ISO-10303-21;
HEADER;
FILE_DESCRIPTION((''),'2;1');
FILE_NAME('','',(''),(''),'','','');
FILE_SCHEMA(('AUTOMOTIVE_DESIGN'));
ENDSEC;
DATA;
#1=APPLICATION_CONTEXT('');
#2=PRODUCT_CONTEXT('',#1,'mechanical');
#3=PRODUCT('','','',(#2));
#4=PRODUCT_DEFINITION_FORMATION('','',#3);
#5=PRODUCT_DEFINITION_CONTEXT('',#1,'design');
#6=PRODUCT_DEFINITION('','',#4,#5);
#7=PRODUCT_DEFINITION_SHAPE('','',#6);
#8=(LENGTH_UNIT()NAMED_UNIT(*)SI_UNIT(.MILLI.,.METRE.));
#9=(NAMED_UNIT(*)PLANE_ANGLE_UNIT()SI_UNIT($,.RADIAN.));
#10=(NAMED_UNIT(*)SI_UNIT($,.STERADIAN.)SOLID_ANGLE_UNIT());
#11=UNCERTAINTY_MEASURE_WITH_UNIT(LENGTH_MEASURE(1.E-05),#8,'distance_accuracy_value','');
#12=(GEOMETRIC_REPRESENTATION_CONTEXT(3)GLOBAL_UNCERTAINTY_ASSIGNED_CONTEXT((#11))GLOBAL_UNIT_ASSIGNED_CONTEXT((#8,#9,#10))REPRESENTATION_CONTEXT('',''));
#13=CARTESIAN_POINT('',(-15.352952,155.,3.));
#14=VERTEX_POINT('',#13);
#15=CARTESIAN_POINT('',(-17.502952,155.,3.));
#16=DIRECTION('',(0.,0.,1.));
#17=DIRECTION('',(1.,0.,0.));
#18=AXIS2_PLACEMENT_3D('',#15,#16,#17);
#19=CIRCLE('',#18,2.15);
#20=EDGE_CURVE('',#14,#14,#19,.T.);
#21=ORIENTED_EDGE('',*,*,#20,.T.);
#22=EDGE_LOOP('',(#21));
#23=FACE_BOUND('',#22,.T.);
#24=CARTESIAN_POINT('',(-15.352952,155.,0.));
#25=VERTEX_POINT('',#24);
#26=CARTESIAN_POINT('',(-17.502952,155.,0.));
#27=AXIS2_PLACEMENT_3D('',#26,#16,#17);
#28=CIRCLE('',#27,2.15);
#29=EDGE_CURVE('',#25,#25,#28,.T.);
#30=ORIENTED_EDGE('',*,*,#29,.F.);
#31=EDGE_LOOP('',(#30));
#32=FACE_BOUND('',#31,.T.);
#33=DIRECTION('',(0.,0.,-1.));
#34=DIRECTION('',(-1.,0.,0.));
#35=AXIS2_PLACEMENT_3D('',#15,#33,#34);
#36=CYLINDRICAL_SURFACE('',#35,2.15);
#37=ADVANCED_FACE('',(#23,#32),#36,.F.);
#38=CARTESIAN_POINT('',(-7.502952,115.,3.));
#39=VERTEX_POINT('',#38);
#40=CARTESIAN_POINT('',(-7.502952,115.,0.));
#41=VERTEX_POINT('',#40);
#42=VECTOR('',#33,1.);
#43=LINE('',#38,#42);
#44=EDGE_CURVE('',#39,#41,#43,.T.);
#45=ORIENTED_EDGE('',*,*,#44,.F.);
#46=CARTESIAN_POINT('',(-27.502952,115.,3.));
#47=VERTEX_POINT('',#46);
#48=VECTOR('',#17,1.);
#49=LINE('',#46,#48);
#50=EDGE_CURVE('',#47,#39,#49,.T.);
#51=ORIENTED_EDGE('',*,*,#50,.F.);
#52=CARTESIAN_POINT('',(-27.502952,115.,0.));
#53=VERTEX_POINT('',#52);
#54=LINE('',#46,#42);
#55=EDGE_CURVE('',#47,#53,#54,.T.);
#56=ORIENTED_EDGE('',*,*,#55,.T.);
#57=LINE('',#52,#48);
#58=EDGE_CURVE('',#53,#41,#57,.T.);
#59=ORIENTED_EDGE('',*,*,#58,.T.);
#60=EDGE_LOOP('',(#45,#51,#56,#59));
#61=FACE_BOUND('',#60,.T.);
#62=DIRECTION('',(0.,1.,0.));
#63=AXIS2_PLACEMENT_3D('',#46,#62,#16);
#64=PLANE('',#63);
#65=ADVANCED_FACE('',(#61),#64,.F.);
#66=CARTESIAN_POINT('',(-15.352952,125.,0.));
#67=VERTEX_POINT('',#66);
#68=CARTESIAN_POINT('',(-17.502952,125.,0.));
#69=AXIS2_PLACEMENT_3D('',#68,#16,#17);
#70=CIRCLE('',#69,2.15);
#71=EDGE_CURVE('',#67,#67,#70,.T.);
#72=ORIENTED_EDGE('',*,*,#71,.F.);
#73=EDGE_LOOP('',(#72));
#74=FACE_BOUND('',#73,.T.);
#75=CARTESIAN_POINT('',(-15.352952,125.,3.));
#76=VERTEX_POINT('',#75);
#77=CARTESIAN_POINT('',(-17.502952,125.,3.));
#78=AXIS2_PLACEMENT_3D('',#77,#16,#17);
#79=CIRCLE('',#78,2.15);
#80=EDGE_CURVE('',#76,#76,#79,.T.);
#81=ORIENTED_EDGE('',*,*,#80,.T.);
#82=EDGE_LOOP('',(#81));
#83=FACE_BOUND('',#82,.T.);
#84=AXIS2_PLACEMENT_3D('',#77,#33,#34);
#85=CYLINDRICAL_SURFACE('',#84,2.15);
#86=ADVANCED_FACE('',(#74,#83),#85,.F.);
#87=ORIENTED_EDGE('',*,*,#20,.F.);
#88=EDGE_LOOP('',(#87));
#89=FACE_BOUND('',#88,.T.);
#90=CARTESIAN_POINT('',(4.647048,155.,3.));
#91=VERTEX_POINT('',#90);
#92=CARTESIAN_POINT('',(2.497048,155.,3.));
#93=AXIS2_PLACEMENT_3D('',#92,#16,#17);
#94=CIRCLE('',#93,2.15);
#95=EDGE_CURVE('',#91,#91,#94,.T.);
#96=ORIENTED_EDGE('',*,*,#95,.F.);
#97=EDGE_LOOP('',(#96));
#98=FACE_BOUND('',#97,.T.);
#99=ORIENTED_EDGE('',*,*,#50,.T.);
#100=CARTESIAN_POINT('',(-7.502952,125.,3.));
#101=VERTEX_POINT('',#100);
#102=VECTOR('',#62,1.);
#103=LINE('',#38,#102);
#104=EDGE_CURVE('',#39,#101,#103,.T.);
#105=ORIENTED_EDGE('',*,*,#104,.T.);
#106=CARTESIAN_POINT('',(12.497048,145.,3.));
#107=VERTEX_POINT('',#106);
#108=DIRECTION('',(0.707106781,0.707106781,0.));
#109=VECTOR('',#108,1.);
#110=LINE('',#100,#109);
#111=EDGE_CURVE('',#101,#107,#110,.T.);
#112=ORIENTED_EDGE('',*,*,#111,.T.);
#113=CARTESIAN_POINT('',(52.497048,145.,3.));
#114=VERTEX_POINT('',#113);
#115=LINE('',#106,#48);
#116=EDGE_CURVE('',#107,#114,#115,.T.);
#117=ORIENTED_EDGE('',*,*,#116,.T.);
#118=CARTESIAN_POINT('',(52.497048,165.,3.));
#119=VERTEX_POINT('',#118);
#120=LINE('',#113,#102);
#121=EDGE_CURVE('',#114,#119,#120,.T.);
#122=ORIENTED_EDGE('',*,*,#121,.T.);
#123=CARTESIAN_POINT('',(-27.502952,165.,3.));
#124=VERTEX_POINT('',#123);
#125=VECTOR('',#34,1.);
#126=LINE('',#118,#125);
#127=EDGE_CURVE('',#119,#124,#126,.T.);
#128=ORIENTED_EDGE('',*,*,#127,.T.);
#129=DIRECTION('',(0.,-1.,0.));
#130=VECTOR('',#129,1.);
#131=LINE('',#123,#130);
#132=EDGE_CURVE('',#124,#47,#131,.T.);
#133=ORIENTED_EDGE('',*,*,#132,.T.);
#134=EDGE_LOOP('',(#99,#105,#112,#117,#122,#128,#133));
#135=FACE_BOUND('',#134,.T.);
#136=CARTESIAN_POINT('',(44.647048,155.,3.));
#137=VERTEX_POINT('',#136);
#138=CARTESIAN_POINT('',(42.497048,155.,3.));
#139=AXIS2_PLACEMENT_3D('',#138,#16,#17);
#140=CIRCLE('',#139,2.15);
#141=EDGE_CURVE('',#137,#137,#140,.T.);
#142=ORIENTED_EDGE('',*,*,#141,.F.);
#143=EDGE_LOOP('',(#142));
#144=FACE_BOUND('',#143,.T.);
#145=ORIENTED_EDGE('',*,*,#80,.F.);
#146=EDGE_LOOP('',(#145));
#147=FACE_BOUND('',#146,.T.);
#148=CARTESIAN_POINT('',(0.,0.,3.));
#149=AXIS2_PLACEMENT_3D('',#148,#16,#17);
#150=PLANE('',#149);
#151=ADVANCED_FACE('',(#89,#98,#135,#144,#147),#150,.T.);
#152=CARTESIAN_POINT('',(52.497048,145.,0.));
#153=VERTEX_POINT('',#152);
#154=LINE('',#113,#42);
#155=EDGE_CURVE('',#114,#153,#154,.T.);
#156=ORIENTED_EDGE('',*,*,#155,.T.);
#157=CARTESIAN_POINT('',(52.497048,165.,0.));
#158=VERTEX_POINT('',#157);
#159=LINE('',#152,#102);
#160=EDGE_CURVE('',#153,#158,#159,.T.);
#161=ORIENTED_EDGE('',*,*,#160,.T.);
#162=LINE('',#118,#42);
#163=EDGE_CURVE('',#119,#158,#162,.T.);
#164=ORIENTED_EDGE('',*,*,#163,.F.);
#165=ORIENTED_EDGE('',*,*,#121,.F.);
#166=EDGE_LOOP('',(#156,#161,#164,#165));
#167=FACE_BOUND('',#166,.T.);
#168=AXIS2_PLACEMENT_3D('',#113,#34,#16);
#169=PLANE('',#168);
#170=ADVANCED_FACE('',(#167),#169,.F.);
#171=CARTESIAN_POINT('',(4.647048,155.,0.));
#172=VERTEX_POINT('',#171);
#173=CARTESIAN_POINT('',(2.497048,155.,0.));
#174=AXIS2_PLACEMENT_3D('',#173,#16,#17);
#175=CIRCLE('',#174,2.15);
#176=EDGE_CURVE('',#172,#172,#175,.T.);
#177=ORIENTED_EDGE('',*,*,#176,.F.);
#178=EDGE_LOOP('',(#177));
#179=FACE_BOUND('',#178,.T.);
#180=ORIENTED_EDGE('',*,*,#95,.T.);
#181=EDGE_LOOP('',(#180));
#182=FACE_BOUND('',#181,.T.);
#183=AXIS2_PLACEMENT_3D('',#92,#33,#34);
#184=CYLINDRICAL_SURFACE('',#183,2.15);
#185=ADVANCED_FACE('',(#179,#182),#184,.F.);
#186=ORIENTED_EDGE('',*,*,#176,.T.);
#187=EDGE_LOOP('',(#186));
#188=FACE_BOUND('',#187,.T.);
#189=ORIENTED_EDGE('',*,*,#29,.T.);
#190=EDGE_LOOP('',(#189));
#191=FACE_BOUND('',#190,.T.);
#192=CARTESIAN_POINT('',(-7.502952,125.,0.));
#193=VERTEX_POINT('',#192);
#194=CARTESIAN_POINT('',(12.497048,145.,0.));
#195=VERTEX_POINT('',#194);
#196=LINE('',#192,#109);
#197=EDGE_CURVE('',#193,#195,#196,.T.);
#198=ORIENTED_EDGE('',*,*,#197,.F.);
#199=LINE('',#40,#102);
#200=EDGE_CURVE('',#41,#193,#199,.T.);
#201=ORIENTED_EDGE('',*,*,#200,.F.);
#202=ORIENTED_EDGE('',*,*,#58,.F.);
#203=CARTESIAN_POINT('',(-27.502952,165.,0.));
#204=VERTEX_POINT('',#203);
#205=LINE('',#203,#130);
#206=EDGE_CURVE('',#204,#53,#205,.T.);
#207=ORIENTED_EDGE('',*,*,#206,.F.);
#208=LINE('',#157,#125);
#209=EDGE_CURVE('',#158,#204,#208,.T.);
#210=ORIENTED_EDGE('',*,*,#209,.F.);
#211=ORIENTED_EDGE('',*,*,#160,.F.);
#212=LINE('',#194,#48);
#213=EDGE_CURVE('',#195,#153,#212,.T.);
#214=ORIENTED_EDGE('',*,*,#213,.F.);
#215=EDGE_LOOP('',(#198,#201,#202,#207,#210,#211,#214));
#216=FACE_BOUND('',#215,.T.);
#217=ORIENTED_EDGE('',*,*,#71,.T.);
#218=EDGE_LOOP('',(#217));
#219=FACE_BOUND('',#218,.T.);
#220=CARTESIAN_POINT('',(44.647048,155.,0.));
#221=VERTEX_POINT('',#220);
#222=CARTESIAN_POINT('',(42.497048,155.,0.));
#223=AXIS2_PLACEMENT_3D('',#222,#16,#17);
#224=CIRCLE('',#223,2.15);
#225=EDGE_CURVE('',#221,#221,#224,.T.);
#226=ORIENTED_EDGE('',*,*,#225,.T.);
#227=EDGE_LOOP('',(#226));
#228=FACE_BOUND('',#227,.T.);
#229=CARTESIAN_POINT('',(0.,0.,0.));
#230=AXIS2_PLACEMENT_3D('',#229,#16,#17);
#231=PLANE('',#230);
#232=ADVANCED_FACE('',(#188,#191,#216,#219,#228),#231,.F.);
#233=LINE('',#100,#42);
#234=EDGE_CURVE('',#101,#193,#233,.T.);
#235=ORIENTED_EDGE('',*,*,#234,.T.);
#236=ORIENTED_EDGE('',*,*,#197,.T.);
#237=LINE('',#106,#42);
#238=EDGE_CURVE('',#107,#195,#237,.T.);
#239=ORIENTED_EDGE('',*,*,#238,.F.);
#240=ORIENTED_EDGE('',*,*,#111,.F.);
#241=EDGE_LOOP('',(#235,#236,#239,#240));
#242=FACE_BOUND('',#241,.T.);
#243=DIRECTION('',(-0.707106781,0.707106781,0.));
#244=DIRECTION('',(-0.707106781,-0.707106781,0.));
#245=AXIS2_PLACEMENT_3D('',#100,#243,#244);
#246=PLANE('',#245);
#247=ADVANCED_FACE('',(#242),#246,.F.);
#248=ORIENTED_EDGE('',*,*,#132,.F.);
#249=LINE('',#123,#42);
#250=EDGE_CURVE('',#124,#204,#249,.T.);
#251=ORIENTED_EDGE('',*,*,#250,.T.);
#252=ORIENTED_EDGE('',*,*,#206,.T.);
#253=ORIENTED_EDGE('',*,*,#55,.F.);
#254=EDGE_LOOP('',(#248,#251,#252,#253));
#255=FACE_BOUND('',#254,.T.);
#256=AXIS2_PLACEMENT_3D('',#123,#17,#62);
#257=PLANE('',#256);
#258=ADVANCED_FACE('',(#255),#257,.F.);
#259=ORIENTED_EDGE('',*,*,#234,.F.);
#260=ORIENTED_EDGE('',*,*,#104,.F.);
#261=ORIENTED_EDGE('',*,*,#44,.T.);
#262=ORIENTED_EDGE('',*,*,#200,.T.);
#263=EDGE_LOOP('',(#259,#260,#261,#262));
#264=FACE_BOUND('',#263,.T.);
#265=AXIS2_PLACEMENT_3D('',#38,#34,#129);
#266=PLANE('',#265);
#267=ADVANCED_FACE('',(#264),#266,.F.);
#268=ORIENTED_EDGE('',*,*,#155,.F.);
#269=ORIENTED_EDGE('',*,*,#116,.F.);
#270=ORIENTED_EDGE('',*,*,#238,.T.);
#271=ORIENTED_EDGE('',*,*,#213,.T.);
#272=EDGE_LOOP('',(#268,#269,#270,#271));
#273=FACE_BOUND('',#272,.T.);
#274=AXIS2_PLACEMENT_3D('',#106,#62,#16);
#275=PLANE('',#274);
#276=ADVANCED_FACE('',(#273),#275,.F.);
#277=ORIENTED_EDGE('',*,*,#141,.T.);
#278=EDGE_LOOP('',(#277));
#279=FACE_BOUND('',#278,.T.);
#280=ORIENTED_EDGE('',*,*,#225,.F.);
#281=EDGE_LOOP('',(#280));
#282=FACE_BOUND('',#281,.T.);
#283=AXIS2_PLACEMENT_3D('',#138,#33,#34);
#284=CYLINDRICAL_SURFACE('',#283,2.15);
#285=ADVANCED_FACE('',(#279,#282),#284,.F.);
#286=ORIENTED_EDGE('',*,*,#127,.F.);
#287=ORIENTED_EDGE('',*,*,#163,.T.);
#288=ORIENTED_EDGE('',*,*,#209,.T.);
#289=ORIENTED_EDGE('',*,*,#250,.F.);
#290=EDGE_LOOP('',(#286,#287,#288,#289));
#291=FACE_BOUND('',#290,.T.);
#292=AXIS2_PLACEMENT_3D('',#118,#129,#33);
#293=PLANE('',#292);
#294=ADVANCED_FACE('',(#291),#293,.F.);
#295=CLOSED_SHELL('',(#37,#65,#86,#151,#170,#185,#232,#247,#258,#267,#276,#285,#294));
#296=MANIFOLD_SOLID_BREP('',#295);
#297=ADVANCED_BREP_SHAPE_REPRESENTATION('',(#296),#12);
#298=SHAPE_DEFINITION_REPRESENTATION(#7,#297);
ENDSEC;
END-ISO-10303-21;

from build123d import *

# Parameters (mm, degrees)
SKETCH1_R      = 2.15
EXTRUDE1_DEPTH = 3


with BuildPart() as part:
    # Sketch1 → Extrude1 (new body)
    with BuildSketch(Plane.XY):
        Polygon((52.497048214, 165), (-27.502951786, 165), (-27.502951786, 115), (-7.502951786, 115), (-7.502951786, 125), (12.497048214, 145), (52.497048214, 145), align=None)
        with Locations((2.497048214, 155)):
            Circle(SKETCH1_R, mode=Mode.SUBTRACT)
        with Locations((42.497048214, 155)):
            Circle(SKETCH1_R, mode=Mode.SUBTRACT)
        with Locations((-17.502951786, 125)):
            Circle(SKETCH1_R, mode=Mode.SUBTRACT)
        with Locations((-17.502951786, 155)):
            Circle(SKETCH1_R, mode=Mode.SUBTRACT)
    extrude(amount=EXTRUDE1_DEPTH)


solid = part.part
